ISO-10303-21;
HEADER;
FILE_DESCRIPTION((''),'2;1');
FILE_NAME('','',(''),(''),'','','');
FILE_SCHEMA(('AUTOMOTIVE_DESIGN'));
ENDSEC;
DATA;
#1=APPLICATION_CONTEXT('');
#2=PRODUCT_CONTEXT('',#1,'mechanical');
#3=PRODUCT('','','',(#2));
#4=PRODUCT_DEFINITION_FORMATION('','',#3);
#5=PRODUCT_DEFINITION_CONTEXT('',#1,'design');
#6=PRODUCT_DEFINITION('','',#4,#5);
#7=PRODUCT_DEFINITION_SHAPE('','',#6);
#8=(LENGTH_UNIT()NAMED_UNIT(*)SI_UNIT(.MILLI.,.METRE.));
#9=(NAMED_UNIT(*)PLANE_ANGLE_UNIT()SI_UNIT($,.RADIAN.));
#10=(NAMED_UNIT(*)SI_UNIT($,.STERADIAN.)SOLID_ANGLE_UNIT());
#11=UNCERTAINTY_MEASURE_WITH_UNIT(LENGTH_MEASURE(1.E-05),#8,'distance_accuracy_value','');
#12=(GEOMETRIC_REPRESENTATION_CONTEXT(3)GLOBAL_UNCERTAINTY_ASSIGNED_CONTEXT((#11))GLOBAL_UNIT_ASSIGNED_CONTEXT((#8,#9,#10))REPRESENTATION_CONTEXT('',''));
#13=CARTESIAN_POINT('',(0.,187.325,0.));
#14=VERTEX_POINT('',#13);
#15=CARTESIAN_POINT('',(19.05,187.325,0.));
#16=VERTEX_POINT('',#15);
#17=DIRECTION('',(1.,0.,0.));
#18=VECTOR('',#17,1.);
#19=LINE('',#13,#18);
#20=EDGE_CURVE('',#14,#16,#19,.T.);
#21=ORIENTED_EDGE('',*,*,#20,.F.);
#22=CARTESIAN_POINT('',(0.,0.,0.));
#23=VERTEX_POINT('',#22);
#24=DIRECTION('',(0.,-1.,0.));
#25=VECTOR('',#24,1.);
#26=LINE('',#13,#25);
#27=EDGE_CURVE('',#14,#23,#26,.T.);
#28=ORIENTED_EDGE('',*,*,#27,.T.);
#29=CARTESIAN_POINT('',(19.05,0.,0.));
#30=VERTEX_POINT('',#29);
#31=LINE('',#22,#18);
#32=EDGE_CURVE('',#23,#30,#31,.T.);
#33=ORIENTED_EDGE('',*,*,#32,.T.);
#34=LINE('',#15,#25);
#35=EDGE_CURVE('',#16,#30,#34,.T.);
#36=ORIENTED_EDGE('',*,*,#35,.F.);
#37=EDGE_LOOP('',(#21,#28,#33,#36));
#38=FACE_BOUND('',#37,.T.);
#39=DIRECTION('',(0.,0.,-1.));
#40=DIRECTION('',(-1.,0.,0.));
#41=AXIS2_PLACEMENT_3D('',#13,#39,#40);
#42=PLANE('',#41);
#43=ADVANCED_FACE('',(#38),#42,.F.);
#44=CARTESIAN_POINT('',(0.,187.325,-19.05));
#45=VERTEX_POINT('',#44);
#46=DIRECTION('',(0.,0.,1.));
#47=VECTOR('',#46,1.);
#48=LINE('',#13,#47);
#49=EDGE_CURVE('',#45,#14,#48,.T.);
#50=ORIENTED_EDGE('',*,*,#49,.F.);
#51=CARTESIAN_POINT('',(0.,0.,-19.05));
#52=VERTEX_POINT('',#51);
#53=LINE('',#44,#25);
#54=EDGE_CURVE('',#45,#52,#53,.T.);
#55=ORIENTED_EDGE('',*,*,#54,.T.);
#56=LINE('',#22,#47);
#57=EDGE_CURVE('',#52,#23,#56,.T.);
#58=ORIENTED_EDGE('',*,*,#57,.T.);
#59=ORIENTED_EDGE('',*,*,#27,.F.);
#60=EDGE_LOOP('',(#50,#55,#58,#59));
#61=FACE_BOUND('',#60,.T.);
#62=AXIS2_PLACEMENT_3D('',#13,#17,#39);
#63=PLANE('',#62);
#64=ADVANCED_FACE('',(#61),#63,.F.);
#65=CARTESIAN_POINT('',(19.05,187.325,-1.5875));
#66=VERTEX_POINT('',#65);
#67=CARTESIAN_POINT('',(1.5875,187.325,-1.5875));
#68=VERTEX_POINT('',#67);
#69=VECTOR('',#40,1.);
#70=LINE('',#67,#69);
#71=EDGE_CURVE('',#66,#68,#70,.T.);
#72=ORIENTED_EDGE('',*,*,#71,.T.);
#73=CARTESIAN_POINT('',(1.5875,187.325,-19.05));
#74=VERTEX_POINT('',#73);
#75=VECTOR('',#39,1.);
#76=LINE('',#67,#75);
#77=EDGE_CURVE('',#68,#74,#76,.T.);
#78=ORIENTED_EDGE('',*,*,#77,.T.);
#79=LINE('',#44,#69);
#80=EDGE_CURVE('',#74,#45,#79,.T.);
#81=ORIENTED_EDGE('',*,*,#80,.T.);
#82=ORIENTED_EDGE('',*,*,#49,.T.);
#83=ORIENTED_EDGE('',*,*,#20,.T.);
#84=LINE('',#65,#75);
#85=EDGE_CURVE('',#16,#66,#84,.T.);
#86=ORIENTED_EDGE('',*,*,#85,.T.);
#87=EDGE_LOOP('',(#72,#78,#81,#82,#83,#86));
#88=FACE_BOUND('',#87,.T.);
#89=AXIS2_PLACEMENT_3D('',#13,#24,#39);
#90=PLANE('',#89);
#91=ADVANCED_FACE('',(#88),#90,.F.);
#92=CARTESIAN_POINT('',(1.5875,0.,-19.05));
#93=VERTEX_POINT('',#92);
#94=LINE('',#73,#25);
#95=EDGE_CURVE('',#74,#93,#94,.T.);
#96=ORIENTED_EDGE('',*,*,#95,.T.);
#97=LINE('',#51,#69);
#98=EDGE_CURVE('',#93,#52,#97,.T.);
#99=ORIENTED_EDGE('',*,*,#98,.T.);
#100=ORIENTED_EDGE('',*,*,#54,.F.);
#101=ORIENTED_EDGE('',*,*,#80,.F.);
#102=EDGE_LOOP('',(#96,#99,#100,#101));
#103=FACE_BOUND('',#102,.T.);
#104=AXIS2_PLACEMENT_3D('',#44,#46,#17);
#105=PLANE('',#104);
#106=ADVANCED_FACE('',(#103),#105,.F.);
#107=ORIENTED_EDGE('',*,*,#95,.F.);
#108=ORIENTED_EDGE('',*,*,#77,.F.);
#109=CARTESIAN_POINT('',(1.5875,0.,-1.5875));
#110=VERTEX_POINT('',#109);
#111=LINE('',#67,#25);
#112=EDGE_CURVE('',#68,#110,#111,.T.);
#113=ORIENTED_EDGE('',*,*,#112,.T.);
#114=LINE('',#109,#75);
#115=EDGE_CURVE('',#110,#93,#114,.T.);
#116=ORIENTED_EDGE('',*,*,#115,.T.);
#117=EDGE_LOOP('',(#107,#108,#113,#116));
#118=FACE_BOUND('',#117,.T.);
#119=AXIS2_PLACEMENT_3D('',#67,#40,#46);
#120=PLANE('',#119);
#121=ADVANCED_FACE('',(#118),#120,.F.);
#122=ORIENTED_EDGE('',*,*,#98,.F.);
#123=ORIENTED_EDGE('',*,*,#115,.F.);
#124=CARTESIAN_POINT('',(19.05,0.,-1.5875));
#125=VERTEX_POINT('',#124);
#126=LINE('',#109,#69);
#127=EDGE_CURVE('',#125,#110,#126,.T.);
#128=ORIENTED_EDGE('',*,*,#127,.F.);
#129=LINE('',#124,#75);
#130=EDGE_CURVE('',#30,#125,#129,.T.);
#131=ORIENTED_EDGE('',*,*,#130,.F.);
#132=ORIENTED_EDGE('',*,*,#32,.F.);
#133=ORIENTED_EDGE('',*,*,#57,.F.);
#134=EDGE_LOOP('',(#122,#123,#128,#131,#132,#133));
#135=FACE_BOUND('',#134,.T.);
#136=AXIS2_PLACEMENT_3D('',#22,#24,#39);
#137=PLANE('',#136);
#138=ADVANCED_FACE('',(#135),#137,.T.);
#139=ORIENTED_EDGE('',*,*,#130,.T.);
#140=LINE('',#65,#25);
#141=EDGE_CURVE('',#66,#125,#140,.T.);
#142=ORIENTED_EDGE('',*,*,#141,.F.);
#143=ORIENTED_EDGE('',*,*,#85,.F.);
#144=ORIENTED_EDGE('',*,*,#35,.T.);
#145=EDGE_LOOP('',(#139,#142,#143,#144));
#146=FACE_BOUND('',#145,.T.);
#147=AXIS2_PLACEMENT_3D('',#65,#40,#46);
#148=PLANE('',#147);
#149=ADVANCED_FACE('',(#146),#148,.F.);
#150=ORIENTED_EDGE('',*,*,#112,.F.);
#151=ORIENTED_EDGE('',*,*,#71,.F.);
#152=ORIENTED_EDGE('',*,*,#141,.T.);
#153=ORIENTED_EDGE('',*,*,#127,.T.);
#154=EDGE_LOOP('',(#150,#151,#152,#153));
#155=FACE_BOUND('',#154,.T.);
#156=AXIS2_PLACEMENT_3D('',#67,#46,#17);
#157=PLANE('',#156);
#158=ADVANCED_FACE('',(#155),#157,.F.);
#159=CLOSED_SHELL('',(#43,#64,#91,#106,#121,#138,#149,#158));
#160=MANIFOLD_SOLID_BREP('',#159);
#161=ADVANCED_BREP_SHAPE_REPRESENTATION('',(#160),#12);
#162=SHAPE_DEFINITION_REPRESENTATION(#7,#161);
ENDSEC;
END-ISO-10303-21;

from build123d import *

# Parameters (mm, degrees)
BOSS_EXTRUDE1_DEPTH = 187.325


with BuildPart() as part:
    # Sketch1 → Boss-Extrude1 (new body)
    with BuildSketch(Plane(origin=(0, 0, 0), x_dir=(1, 0, 0), z_dir=(0, 1, 0))):
        Polygon((0, 0), (19.05, 0), (19.05, 1.5875), (1.5875, 1.5875), (1.5875, 19.05), (0, 19.05), align=None)
    extrude(amount=BOSS_EXTRUDE1_DEPTH)


solid = part.part
